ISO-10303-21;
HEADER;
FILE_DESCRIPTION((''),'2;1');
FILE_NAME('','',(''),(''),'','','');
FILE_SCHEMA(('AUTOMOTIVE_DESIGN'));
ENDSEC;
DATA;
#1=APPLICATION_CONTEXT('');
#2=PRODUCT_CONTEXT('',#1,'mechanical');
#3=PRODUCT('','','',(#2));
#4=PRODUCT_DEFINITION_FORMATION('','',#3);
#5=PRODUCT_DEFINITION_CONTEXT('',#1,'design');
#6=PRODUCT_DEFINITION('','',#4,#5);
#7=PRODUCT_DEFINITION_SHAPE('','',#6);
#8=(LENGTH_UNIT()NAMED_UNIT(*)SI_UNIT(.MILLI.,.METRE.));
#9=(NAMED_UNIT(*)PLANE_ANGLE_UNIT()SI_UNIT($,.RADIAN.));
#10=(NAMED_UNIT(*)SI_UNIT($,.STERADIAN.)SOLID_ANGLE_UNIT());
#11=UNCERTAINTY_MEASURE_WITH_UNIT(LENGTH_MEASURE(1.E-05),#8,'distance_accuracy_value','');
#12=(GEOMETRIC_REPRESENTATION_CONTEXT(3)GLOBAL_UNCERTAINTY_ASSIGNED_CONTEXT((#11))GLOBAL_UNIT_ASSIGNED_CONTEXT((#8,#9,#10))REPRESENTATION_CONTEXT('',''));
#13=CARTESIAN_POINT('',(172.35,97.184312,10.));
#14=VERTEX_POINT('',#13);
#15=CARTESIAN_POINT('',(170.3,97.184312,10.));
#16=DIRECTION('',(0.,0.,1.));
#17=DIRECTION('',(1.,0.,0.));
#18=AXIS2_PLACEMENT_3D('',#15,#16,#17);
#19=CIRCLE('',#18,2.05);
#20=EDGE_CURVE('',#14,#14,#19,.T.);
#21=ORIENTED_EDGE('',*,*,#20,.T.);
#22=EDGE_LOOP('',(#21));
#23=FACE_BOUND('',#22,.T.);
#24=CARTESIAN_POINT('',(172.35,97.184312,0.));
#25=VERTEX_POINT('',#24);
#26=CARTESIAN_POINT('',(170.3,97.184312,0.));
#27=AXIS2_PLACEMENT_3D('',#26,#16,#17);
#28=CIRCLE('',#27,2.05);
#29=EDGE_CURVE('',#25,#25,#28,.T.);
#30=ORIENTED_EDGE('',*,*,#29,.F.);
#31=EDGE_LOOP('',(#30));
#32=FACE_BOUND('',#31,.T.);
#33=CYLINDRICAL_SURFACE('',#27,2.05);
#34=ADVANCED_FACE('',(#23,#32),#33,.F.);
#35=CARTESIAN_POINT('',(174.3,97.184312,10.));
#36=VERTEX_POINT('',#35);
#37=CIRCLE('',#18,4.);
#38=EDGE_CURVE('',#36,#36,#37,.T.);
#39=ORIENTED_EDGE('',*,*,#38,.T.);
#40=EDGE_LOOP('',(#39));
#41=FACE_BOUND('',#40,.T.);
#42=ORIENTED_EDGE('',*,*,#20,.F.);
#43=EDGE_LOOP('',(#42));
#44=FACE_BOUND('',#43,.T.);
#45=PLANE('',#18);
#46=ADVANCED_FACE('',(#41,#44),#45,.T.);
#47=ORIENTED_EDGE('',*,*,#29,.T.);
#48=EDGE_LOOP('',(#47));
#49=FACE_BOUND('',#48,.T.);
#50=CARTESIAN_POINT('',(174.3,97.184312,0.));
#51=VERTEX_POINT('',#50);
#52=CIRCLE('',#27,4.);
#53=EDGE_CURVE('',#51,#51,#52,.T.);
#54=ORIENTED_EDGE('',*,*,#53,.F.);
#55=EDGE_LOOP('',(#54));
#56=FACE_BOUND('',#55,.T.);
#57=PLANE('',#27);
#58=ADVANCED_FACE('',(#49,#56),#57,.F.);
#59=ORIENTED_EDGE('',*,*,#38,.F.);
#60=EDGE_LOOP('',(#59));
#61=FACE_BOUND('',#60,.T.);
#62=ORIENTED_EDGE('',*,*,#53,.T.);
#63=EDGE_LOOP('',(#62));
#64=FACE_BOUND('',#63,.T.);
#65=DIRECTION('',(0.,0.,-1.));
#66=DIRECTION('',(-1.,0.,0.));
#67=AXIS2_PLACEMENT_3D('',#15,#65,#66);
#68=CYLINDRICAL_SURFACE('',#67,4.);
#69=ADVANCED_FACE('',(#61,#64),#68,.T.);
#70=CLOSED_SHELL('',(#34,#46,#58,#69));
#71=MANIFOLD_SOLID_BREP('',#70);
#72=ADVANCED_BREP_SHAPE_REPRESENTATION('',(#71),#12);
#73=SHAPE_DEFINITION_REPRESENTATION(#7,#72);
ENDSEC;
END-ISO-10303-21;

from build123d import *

# Parameters (mm, degrees)
SZKIC1_R                    = 4
DODANIE_WYCI_GNI_CIE1_DEPTH = 10
SZKIC2_R                    = 2.05
WYTNIJ_WYCI_GNI_CIE1_DEPTH  = 10


with BuildPart() as part:
    # Szkic1 → Dodanie-wyciągnięcie1 (new body)
    with BuildSketch(Plane.XY):
        with Locations((170.3, 97.184311715)):
            Circle(SZKIC1_R)
    extrude(amount=DODANIE_WYCI_GNI_CIE1_DEPTH)

    # Szkic2 → Wytnij-wyciągnięcie1 (cut)
    with BuildSketch(Plane.XY.offset(10)):
        with Locations((170.3, 97.184311715)):
            Circle(SZKIC2_R)
    extrude(amount=-WYTNIJ_WYCI_GNI_CIE1_DEPTH, mode=Mode.SUBTRACT)


solid = part.part
